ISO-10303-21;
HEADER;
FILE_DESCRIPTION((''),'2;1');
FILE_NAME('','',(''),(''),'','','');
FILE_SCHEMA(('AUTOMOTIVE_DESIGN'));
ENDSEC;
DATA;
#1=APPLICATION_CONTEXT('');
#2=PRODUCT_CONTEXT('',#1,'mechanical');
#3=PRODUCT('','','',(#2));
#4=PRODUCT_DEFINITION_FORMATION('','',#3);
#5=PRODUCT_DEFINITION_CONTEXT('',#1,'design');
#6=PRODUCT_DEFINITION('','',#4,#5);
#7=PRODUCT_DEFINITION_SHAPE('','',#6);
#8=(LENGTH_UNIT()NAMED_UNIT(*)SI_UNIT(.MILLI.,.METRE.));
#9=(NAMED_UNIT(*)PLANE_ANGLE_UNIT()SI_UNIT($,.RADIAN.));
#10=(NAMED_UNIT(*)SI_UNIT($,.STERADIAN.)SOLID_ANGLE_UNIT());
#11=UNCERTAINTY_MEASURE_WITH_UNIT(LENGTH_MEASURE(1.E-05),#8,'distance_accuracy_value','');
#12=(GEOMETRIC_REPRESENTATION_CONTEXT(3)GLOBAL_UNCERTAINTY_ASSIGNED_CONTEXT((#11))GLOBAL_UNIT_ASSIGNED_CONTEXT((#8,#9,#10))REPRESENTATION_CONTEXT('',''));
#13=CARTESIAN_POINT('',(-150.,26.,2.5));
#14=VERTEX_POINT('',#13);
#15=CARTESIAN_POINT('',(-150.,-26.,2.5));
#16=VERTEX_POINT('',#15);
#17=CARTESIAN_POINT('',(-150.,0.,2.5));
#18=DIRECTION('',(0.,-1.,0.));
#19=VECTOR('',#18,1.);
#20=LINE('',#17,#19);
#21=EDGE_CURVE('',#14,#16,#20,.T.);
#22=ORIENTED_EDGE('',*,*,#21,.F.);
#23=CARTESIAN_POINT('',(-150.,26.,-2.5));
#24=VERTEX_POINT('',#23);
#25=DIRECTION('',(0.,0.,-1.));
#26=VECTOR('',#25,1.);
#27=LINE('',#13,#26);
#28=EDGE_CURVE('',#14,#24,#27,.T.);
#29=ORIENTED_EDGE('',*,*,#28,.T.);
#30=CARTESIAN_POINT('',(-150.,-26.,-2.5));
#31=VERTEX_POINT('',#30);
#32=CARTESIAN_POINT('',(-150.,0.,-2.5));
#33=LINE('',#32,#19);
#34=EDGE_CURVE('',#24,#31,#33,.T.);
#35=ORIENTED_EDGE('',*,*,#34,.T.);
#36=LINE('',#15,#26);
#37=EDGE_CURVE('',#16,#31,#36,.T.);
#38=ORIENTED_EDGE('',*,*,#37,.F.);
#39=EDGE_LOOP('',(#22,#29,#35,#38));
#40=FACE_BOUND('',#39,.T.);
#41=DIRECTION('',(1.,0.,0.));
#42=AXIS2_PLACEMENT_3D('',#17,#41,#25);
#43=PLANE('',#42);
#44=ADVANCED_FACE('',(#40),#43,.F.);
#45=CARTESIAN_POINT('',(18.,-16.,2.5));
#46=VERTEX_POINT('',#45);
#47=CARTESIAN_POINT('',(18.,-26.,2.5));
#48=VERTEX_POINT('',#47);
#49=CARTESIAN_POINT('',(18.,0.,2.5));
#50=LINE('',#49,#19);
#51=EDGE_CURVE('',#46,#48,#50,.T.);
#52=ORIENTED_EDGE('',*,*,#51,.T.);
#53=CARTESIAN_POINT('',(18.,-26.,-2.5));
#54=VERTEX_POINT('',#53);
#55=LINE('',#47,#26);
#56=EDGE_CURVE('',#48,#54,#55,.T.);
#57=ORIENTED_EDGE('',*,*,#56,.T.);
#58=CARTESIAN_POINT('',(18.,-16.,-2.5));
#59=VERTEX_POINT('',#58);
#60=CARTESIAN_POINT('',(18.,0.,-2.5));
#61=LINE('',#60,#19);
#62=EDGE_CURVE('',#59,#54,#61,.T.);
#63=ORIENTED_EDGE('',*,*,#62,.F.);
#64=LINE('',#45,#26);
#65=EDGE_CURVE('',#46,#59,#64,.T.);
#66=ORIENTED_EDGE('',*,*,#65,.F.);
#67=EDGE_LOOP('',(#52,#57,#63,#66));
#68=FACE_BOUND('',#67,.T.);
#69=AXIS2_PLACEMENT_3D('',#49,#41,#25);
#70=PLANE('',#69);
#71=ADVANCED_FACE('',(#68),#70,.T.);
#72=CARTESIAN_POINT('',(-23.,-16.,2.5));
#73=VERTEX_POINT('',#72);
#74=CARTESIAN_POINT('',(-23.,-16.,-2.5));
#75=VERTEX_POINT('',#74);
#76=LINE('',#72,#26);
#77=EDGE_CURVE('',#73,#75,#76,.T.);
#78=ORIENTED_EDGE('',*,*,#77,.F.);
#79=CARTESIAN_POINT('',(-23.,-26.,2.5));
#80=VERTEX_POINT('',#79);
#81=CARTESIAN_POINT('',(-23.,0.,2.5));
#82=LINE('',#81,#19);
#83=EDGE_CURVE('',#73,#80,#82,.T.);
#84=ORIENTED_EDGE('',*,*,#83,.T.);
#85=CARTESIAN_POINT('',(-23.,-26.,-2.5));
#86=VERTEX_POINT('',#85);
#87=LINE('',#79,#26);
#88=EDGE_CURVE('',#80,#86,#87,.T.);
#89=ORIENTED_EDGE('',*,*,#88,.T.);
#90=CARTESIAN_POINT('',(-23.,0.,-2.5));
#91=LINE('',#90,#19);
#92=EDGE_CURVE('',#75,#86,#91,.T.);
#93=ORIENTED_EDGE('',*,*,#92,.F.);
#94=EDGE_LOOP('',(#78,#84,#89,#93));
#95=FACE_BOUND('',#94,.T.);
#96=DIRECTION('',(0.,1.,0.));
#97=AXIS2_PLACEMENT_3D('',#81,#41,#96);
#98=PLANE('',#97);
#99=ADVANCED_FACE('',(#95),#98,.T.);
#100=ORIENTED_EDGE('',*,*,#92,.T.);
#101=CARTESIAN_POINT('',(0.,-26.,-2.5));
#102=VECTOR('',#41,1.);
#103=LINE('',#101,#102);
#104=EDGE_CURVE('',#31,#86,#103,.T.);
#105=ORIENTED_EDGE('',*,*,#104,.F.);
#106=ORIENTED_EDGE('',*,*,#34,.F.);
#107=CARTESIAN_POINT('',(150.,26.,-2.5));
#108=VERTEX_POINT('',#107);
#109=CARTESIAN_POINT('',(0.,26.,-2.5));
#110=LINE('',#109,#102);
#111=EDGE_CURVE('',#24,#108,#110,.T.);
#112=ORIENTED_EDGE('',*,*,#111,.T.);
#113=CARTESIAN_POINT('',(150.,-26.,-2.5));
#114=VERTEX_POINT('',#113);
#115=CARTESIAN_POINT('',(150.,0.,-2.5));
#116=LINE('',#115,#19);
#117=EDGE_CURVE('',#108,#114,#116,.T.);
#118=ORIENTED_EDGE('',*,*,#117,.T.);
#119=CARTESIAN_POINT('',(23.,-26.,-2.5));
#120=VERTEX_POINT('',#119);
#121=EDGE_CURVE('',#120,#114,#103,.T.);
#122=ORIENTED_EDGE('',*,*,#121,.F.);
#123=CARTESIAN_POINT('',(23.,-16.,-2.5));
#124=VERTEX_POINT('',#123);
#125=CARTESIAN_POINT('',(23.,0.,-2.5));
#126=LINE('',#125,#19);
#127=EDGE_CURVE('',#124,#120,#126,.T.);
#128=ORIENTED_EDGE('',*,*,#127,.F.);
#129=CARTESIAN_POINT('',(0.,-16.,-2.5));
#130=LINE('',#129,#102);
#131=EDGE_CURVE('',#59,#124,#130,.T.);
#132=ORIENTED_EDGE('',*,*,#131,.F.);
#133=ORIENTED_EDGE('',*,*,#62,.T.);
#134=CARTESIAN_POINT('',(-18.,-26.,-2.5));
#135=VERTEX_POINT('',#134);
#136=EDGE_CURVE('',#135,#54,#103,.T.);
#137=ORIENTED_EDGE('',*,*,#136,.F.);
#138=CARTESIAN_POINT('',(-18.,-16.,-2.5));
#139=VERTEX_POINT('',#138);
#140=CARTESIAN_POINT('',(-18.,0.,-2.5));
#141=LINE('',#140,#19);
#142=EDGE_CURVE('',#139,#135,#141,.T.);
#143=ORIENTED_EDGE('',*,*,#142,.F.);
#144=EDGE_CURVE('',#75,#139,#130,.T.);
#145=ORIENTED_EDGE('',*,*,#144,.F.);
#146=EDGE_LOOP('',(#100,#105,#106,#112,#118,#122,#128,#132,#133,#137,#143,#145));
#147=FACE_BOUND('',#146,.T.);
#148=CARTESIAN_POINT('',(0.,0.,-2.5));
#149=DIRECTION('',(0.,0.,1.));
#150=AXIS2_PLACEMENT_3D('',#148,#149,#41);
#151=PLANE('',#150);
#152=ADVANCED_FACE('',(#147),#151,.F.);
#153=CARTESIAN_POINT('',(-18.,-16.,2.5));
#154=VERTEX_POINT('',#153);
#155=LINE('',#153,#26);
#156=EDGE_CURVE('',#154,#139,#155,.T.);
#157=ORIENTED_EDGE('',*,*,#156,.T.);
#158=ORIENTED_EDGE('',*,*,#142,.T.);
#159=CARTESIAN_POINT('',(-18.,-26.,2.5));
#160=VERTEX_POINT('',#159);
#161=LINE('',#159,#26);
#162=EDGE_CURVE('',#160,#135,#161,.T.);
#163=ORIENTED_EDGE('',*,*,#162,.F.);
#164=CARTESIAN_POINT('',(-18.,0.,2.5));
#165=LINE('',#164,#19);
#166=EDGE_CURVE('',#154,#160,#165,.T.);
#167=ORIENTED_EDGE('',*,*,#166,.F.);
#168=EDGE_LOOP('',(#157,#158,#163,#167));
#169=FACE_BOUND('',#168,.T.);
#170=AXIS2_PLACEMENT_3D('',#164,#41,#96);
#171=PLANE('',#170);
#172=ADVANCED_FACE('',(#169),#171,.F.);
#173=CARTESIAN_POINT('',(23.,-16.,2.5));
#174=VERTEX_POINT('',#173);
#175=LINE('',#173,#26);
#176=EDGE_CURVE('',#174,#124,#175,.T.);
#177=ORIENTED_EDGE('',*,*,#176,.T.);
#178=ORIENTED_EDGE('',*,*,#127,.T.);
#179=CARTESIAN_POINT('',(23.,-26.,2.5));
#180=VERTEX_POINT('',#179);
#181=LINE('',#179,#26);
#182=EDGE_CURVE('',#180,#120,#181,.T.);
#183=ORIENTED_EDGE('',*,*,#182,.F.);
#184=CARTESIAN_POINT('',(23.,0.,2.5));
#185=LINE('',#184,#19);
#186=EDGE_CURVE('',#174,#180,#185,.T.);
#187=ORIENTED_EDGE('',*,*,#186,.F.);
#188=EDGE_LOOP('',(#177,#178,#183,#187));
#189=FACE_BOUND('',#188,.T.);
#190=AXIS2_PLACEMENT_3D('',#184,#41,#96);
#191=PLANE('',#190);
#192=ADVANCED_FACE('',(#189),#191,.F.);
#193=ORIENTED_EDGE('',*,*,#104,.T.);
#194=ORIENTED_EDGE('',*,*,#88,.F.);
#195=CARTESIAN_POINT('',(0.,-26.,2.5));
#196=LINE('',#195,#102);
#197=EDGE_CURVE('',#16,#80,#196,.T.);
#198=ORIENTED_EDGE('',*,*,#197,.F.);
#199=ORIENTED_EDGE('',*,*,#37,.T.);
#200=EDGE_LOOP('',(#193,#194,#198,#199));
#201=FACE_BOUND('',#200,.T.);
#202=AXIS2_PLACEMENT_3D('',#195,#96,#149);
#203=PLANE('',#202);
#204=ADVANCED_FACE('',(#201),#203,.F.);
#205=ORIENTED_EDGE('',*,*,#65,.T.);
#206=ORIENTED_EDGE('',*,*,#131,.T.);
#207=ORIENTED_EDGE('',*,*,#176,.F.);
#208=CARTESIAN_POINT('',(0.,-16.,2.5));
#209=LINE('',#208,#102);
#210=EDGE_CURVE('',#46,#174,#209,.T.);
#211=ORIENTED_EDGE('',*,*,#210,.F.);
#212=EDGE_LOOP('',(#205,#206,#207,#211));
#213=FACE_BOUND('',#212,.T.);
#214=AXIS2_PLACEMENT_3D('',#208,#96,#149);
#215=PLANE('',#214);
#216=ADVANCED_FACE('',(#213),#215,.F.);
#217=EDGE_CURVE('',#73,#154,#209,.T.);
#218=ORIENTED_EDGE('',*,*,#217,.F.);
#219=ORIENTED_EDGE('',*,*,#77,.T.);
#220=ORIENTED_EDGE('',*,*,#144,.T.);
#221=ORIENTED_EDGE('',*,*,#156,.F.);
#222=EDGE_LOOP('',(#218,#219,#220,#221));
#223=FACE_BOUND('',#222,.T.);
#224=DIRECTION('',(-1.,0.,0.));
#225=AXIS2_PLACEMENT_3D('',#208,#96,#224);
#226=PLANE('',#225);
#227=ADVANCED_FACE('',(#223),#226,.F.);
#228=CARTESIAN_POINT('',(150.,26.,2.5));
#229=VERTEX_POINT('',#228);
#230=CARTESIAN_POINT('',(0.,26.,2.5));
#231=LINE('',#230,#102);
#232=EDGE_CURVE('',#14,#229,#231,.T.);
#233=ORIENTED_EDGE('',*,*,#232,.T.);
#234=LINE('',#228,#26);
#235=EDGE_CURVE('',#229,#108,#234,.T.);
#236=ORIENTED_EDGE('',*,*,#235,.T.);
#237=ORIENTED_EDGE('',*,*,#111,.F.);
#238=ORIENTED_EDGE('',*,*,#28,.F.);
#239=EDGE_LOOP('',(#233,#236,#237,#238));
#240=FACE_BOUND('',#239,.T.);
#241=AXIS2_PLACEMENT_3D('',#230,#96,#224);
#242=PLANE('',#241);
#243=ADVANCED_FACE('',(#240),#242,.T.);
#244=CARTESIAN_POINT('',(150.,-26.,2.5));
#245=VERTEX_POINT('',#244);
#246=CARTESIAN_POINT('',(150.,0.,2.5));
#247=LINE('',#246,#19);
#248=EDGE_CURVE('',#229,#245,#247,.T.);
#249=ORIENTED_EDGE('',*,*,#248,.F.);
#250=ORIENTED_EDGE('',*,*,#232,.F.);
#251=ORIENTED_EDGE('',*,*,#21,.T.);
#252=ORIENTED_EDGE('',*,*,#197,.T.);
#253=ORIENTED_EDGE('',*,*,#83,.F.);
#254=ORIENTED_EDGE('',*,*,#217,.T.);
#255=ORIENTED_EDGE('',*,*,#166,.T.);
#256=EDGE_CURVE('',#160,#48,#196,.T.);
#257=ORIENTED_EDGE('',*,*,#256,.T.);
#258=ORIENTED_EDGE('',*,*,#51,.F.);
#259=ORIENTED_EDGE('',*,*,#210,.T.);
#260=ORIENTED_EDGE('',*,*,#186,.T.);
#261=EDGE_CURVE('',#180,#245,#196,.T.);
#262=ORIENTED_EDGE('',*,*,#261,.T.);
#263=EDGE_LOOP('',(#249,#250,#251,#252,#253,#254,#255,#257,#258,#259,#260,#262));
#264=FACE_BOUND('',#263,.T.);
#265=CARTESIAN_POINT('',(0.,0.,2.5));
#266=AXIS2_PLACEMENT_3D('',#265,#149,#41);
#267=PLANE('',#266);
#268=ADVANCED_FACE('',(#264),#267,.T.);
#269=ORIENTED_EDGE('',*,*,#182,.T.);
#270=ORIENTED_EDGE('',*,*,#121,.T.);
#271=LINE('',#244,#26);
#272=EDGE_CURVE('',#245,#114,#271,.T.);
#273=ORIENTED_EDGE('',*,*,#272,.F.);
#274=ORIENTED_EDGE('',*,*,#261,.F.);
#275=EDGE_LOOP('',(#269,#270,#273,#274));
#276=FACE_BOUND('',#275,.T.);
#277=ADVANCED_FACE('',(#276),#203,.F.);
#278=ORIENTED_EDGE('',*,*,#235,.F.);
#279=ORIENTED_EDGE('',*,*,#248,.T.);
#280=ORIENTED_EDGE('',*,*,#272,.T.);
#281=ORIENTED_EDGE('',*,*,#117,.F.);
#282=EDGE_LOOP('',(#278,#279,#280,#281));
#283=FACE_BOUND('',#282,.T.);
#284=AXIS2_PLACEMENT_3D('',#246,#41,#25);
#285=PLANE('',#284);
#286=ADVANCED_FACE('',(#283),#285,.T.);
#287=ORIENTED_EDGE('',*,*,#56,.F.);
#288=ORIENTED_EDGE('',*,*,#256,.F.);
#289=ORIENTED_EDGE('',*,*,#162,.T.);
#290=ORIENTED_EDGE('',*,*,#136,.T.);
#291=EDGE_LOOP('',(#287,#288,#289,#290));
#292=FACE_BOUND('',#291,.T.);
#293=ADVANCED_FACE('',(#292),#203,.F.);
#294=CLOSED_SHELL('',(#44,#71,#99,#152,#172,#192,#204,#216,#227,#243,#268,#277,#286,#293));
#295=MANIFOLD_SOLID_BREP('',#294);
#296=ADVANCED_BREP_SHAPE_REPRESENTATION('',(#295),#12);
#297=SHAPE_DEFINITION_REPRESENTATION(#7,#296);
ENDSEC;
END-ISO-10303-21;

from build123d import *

# Parameters (mm, degrees)
BOSS_EXTRUDE1_DEPTH = 2.5


with BuildPart() as part:
    # Sketch1 → Boss-Extrude1 (new, symmetric)
    with BuildSketch(Plane.XY):
        Polygon((150, 26), (-150, 26), (-150, -26), (-23, -26), (-23, -16), (-18, -16), (-18, -26), (18, -26), (18, -16), (23, -16), (23, -26), (150, -26), align=None)
    extrude(amount=BOSS_EXTRUDE1_DEPTH, both=True)


solid = part.part
